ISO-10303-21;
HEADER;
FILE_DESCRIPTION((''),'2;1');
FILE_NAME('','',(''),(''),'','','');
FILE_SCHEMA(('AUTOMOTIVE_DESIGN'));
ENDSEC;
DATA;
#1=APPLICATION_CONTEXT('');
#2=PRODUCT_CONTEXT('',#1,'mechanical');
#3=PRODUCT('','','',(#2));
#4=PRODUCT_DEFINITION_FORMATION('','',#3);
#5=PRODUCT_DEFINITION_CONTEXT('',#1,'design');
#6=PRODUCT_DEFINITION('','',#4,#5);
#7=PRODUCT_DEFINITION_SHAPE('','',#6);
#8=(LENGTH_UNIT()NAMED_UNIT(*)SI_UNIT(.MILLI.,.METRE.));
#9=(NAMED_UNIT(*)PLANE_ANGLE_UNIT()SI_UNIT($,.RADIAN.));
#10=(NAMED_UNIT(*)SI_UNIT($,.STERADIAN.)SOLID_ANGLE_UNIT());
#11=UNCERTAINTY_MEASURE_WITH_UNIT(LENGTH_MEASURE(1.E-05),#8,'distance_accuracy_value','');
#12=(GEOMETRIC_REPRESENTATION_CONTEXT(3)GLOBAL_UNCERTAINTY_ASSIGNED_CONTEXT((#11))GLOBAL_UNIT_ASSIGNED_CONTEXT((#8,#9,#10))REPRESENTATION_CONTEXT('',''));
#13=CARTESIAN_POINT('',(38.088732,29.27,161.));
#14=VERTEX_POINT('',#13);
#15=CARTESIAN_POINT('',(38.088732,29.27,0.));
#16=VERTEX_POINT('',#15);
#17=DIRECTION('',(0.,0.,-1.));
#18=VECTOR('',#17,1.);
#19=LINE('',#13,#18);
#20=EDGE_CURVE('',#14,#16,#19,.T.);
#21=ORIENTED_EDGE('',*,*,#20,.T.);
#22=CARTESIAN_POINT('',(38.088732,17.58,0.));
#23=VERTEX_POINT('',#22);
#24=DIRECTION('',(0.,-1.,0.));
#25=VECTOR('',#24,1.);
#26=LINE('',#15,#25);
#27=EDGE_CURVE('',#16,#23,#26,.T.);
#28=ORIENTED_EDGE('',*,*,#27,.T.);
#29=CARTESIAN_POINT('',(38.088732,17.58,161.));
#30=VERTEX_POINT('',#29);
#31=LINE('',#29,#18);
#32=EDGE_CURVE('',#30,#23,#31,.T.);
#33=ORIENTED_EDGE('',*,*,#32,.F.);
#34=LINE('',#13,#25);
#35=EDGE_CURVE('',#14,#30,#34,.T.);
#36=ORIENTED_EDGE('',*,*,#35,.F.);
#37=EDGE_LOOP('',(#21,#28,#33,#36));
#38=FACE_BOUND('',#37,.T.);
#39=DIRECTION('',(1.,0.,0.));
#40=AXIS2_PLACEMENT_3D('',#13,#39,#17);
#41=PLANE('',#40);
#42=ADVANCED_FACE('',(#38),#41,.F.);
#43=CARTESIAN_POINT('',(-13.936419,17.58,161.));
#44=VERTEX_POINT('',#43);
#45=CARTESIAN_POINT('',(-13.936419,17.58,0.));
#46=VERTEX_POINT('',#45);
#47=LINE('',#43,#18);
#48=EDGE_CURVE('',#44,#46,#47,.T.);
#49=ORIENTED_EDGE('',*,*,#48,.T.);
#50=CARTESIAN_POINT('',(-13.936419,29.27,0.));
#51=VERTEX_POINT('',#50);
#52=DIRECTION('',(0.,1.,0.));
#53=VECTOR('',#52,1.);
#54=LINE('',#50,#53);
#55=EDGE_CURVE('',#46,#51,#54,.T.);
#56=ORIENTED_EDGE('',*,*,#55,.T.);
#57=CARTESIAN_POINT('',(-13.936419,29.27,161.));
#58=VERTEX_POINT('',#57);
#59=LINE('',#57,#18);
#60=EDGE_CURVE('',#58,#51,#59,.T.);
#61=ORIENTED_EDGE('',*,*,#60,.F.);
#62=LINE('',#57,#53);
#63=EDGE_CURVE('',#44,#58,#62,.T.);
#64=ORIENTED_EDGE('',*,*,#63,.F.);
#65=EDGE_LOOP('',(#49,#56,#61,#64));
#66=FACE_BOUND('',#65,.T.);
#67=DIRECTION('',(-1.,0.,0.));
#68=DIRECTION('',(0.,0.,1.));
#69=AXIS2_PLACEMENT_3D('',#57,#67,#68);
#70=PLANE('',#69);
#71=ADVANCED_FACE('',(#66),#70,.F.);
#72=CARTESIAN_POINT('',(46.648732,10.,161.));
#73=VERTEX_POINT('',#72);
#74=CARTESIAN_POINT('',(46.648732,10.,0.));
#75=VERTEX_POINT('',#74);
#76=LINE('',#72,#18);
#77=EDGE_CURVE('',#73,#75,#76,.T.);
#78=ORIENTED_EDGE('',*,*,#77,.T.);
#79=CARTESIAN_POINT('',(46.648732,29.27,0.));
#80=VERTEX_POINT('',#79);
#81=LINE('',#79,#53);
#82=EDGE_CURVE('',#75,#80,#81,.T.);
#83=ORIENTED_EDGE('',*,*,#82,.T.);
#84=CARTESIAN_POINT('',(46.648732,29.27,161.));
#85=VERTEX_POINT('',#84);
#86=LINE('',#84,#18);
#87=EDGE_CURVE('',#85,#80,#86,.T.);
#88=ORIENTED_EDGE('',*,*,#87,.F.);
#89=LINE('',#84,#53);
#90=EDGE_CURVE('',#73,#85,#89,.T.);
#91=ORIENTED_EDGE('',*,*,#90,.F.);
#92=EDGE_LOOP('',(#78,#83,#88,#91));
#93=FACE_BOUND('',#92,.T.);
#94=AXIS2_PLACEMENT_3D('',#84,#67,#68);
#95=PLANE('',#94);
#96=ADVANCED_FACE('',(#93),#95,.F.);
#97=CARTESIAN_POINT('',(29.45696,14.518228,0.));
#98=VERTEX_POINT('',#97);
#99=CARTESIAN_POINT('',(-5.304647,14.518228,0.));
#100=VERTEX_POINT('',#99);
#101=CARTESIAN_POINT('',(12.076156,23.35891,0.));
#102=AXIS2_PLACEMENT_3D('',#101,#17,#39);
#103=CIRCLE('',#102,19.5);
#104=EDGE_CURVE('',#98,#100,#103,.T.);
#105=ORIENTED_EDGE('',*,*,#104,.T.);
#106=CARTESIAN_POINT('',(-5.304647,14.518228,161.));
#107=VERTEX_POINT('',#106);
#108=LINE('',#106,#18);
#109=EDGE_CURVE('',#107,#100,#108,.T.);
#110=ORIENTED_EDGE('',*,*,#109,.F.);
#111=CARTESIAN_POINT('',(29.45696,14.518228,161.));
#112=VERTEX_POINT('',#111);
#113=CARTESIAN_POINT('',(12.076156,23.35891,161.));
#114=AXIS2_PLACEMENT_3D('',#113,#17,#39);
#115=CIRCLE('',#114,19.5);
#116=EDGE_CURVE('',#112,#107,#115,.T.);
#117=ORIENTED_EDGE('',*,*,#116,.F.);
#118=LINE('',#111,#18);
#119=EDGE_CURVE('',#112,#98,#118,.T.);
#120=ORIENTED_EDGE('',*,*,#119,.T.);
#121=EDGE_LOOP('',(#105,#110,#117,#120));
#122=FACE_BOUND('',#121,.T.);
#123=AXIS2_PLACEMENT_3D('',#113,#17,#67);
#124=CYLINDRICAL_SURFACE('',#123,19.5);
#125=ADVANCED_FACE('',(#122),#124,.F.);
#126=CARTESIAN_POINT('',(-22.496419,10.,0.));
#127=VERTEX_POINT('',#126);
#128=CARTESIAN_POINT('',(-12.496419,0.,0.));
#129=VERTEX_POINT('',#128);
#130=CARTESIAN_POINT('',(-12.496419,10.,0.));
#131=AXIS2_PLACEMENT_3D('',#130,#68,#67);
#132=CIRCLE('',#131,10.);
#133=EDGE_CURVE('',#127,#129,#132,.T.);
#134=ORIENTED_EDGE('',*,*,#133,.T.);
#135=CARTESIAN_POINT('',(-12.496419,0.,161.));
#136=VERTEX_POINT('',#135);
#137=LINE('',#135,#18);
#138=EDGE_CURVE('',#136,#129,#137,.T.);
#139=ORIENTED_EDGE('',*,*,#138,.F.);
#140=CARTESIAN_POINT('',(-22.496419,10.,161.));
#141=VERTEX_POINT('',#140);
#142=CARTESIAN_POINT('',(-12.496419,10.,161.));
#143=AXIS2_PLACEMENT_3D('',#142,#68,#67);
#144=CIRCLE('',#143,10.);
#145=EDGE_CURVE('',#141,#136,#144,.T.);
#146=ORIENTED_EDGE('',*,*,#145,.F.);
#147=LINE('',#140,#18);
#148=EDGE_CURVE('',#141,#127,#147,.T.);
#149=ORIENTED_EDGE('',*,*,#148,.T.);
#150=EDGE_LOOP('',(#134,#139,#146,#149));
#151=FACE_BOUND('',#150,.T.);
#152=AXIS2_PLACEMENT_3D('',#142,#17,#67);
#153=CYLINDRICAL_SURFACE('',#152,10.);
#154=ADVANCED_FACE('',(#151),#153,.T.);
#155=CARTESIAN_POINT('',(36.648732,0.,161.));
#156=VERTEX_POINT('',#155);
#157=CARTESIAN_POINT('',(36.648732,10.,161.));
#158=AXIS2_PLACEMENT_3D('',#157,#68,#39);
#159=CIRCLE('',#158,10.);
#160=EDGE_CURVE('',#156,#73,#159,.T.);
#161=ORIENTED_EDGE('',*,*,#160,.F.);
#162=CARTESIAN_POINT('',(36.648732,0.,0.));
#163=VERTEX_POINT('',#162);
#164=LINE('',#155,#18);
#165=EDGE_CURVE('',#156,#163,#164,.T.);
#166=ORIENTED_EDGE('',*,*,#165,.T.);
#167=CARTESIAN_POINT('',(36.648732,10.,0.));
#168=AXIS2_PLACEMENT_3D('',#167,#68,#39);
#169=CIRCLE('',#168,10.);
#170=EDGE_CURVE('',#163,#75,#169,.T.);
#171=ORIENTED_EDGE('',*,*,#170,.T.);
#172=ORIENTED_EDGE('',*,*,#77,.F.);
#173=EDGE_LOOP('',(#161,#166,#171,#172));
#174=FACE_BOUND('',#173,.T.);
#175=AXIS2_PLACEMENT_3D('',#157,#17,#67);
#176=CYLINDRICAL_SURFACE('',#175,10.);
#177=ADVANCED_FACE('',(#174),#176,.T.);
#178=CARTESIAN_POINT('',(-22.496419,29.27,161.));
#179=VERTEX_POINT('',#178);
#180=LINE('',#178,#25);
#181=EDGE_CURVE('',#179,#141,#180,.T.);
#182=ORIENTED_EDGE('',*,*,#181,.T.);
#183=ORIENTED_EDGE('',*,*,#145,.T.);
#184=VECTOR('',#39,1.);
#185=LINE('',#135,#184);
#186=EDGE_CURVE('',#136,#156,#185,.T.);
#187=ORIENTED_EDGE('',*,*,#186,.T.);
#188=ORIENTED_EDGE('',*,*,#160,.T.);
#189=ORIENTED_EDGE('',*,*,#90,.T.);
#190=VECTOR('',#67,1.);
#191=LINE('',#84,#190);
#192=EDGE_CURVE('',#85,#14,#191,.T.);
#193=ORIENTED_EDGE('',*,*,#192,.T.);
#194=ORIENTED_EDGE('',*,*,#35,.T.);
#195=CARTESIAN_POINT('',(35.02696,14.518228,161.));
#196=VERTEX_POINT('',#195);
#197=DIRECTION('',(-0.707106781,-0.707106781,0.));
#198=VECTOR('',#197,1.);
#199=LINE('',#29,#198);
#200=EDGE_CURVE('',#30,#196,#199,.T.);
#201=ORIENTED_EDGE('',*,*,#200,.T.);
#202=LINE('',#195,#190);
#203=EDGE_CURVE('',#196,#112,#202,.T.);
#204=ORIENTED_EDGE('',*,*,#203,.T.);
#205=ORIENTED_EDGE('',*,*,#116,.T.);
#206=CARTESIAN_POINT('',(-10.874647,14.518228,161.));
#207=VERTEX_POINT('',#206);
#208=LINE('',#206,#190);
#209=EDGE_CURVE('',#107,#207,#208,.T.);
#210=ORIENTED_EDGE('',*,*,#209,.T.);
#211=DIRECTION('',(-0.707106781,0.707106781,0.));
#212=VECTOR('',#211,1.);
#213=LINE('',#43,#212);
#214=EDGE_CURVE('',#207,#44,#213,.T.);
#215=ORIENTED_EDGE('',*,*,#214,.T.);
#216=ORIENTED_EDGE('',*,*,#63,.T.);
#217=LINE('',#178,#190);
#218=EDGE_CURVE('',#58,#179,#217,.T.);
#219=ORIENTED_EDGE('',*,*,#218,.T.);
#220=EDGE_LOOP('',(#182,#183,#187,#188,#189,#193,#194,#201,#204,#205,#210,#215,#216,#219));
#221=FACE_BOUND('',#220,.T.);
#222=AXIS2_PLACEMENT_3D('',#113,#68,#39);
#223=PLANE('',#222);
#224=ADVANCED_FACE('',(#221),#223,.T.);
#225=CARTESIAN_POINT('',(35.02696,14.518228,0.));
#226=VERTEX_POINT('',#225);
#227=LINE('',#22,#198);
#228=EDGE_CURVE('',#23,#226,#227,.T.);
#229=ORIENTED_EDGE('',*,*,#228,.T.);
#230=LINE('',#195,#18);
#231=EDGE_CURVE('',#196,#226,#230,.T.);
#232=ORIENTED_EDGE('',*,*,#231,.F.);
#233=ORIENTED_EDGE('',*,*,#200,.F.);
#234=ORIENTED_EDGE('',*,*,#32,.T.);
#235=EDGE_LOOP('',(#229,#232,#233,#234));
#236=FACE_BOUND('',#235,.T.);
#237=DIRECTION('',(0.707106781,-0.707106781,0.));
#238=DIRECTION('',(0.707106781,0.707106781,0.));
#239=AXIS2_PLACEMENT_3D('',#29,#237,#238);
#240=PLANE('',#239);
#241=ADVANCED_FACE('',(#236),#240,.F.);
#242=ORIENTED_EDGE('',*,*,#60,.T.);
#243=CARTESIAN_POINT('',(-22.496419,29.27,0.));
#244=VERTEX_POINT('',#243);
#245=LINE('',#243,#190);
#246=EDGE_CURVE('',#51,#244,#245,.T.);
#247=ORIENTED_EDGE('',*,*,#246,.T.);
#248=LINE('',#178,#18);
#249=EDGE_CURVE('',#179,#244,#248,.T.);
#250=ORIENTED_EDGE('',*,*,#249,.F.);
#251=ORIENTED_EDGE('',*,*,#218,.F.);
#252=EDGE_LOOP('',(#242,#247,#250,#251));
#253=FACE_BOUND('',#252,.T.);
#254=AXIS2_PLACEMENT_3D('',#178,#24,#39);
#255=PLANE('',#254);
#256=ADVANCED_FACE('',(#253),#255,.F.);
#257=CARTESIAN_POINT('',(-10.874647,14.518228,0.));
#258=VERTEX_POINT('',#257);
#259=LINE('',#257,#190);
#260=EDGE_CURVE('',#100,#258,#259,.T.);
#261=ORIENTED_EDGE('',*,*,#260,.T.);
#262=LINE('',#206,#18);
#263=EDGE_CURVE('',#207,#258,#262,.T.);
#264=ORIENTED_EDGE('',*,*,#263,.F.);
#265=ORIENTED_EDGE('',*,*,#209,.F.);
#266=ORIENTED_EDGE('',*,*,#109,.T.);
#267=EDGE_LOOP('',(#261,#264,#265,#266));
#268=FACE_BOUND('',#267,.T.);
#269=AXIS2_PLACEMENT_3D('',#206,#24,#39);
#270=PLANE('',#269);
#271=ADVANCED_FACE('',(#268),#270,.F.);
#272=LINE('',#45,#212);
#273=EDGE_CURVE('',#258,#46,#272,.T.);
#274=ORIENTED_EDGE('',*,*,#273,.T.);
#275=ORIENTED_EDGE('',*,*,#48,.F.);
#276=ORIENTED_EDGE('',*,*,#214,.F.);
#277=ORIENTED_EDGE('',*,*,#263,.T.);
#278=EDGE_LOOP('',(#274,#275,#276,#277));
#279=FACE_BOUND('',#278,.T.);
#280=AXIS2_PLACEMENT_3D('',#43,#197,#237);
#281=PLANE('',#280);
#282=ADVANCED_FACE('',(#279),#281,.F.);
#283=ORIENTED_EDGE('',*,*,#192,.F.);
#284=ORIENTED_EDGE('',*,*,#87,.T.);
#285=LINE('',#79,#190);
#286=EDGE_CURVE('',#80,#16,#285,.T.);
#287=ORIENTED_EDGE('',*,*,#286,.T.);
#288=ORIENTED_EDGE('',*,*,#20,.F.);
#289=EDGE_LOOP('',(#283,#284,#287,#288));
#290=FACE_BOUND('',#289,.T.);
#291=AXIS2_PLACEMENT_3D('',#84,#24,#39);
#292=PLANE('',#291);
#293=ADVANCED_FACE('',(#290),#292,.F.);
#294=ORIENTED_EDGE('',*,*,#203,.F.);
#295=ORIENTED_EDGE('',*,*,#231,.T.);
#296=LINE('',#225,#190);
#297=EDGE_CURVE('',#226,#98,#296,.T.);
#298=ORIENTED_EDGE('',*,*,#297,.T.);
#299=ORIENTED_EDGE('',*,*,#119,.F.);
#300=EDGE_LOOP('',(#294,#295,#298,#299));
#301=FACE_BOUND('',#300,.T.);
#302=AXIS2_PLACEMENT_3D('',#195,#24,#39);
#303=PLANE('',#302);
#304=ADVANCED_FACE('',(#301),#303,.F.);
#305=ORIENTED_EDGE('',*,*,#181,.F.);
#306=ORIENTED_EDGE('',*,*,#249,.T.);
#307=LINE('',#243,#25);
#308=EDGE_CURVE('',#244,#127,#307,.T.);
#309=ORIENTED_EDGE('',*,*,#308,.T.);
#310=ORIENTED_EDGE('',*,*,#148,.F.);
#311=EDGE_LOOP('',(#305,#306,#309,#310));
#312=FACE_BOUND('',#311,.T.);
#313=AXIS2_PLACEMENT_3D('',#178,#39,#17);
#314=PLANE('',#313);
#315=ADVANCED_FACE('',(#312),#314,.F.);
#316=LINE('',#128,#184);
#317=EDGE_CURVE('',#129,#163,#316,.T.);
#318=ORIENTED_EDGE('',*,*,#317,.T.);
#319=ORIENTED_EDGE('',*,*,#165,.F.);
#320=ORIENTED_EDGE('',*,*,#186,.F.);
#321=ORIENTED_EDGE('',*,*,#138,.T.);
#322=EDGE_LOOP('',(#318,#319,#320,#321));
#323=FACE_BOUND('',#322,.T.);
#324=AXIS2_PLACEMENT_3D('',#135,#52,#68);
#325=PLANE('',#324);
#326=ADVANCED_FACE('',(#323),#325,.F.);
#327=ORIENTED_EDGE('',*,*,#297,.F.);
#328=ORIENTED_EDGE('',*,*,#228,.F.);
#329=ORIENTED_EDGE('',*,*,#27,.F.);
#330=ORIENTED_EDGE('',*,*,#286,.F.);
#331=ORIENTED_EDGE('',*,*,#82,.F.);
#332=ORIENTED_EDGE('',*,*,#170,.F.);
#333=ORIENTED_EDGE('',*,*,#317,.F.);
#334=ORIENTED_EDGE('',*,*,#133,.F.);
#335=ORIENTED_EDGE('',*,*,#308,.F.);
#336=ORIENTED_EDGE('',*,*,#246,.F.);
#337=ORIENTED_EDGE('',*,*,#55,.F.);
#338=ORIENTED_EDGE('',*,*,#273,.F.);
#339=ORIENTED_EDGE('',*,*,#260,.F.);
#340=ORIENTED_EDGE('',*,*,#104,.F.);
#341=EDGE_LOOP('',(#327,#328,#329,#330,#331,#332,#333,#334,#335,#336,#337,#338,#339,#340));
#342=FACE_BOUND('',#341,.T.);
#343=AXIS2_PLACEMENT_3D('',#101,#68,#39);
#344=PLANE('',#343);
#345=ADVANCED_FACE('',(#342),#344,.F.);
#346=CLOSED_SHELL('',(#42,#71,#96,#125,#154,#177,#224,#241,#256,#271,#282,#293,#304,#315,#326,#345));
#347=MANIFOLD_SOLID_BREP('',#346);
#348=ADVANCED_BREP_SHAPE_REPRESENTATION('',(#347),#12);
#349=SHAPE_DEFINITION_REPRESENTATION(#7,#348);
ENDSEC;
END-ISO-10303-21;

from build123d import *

# Parameters (mm, degrees)
BOSS_EXTRUDE1_DEPTH = 161


with BuildPart() as part:
    # Sketch1 → Boss-Extrude1 (new body)
    with BuildSketch(Plane.XY):
        with BuildLine():
            Line((-22.496419286, 29.27), (-22.496419286, 10))
            ThreePointArc((-22.496419286, 10), (-19.567487097, 2.928932188), (-12.496419286, 0))
            Line((-12.496419286, 0), (36.648732275, 0))
            ThreePointArc((36.648732275, 0), (43.719800087, 2.928932188), (46.648732275, 10))
            Line((46.648732275, 10), (46.648732275, 29.27))
            Line((46.648732275, 29.27), (38.088732275, 29.27))
            Line((38.088732275, 29.27), (38.088732275, 17.58))
            Line((38.088732275, 17.58), (35.026959912, 14.518227637))
            Line((35.026959912, 14.518227637), (29.456959912, 14.518227637))
            ThreePointArc((29.456959912, 14.518227637), (12.076156495, 3.858910448), (-5.304646923, 14.518227637))
            Line((-5.304646923, 14.518227637), (-10.874646923, 14.518227637))
            Line((-10.874646923, 14.518227637), (-13.936419286, 17.58))
            Line((-13.936419286, 17.58), (-13.936419286, 29.27))
            Line((-13.936419286, 29.27), (-22.496419286, 29.27))
        make_face()
    extrude(amount=BOSS_EXTRUDE1_DEPTH)


solid = part.part
